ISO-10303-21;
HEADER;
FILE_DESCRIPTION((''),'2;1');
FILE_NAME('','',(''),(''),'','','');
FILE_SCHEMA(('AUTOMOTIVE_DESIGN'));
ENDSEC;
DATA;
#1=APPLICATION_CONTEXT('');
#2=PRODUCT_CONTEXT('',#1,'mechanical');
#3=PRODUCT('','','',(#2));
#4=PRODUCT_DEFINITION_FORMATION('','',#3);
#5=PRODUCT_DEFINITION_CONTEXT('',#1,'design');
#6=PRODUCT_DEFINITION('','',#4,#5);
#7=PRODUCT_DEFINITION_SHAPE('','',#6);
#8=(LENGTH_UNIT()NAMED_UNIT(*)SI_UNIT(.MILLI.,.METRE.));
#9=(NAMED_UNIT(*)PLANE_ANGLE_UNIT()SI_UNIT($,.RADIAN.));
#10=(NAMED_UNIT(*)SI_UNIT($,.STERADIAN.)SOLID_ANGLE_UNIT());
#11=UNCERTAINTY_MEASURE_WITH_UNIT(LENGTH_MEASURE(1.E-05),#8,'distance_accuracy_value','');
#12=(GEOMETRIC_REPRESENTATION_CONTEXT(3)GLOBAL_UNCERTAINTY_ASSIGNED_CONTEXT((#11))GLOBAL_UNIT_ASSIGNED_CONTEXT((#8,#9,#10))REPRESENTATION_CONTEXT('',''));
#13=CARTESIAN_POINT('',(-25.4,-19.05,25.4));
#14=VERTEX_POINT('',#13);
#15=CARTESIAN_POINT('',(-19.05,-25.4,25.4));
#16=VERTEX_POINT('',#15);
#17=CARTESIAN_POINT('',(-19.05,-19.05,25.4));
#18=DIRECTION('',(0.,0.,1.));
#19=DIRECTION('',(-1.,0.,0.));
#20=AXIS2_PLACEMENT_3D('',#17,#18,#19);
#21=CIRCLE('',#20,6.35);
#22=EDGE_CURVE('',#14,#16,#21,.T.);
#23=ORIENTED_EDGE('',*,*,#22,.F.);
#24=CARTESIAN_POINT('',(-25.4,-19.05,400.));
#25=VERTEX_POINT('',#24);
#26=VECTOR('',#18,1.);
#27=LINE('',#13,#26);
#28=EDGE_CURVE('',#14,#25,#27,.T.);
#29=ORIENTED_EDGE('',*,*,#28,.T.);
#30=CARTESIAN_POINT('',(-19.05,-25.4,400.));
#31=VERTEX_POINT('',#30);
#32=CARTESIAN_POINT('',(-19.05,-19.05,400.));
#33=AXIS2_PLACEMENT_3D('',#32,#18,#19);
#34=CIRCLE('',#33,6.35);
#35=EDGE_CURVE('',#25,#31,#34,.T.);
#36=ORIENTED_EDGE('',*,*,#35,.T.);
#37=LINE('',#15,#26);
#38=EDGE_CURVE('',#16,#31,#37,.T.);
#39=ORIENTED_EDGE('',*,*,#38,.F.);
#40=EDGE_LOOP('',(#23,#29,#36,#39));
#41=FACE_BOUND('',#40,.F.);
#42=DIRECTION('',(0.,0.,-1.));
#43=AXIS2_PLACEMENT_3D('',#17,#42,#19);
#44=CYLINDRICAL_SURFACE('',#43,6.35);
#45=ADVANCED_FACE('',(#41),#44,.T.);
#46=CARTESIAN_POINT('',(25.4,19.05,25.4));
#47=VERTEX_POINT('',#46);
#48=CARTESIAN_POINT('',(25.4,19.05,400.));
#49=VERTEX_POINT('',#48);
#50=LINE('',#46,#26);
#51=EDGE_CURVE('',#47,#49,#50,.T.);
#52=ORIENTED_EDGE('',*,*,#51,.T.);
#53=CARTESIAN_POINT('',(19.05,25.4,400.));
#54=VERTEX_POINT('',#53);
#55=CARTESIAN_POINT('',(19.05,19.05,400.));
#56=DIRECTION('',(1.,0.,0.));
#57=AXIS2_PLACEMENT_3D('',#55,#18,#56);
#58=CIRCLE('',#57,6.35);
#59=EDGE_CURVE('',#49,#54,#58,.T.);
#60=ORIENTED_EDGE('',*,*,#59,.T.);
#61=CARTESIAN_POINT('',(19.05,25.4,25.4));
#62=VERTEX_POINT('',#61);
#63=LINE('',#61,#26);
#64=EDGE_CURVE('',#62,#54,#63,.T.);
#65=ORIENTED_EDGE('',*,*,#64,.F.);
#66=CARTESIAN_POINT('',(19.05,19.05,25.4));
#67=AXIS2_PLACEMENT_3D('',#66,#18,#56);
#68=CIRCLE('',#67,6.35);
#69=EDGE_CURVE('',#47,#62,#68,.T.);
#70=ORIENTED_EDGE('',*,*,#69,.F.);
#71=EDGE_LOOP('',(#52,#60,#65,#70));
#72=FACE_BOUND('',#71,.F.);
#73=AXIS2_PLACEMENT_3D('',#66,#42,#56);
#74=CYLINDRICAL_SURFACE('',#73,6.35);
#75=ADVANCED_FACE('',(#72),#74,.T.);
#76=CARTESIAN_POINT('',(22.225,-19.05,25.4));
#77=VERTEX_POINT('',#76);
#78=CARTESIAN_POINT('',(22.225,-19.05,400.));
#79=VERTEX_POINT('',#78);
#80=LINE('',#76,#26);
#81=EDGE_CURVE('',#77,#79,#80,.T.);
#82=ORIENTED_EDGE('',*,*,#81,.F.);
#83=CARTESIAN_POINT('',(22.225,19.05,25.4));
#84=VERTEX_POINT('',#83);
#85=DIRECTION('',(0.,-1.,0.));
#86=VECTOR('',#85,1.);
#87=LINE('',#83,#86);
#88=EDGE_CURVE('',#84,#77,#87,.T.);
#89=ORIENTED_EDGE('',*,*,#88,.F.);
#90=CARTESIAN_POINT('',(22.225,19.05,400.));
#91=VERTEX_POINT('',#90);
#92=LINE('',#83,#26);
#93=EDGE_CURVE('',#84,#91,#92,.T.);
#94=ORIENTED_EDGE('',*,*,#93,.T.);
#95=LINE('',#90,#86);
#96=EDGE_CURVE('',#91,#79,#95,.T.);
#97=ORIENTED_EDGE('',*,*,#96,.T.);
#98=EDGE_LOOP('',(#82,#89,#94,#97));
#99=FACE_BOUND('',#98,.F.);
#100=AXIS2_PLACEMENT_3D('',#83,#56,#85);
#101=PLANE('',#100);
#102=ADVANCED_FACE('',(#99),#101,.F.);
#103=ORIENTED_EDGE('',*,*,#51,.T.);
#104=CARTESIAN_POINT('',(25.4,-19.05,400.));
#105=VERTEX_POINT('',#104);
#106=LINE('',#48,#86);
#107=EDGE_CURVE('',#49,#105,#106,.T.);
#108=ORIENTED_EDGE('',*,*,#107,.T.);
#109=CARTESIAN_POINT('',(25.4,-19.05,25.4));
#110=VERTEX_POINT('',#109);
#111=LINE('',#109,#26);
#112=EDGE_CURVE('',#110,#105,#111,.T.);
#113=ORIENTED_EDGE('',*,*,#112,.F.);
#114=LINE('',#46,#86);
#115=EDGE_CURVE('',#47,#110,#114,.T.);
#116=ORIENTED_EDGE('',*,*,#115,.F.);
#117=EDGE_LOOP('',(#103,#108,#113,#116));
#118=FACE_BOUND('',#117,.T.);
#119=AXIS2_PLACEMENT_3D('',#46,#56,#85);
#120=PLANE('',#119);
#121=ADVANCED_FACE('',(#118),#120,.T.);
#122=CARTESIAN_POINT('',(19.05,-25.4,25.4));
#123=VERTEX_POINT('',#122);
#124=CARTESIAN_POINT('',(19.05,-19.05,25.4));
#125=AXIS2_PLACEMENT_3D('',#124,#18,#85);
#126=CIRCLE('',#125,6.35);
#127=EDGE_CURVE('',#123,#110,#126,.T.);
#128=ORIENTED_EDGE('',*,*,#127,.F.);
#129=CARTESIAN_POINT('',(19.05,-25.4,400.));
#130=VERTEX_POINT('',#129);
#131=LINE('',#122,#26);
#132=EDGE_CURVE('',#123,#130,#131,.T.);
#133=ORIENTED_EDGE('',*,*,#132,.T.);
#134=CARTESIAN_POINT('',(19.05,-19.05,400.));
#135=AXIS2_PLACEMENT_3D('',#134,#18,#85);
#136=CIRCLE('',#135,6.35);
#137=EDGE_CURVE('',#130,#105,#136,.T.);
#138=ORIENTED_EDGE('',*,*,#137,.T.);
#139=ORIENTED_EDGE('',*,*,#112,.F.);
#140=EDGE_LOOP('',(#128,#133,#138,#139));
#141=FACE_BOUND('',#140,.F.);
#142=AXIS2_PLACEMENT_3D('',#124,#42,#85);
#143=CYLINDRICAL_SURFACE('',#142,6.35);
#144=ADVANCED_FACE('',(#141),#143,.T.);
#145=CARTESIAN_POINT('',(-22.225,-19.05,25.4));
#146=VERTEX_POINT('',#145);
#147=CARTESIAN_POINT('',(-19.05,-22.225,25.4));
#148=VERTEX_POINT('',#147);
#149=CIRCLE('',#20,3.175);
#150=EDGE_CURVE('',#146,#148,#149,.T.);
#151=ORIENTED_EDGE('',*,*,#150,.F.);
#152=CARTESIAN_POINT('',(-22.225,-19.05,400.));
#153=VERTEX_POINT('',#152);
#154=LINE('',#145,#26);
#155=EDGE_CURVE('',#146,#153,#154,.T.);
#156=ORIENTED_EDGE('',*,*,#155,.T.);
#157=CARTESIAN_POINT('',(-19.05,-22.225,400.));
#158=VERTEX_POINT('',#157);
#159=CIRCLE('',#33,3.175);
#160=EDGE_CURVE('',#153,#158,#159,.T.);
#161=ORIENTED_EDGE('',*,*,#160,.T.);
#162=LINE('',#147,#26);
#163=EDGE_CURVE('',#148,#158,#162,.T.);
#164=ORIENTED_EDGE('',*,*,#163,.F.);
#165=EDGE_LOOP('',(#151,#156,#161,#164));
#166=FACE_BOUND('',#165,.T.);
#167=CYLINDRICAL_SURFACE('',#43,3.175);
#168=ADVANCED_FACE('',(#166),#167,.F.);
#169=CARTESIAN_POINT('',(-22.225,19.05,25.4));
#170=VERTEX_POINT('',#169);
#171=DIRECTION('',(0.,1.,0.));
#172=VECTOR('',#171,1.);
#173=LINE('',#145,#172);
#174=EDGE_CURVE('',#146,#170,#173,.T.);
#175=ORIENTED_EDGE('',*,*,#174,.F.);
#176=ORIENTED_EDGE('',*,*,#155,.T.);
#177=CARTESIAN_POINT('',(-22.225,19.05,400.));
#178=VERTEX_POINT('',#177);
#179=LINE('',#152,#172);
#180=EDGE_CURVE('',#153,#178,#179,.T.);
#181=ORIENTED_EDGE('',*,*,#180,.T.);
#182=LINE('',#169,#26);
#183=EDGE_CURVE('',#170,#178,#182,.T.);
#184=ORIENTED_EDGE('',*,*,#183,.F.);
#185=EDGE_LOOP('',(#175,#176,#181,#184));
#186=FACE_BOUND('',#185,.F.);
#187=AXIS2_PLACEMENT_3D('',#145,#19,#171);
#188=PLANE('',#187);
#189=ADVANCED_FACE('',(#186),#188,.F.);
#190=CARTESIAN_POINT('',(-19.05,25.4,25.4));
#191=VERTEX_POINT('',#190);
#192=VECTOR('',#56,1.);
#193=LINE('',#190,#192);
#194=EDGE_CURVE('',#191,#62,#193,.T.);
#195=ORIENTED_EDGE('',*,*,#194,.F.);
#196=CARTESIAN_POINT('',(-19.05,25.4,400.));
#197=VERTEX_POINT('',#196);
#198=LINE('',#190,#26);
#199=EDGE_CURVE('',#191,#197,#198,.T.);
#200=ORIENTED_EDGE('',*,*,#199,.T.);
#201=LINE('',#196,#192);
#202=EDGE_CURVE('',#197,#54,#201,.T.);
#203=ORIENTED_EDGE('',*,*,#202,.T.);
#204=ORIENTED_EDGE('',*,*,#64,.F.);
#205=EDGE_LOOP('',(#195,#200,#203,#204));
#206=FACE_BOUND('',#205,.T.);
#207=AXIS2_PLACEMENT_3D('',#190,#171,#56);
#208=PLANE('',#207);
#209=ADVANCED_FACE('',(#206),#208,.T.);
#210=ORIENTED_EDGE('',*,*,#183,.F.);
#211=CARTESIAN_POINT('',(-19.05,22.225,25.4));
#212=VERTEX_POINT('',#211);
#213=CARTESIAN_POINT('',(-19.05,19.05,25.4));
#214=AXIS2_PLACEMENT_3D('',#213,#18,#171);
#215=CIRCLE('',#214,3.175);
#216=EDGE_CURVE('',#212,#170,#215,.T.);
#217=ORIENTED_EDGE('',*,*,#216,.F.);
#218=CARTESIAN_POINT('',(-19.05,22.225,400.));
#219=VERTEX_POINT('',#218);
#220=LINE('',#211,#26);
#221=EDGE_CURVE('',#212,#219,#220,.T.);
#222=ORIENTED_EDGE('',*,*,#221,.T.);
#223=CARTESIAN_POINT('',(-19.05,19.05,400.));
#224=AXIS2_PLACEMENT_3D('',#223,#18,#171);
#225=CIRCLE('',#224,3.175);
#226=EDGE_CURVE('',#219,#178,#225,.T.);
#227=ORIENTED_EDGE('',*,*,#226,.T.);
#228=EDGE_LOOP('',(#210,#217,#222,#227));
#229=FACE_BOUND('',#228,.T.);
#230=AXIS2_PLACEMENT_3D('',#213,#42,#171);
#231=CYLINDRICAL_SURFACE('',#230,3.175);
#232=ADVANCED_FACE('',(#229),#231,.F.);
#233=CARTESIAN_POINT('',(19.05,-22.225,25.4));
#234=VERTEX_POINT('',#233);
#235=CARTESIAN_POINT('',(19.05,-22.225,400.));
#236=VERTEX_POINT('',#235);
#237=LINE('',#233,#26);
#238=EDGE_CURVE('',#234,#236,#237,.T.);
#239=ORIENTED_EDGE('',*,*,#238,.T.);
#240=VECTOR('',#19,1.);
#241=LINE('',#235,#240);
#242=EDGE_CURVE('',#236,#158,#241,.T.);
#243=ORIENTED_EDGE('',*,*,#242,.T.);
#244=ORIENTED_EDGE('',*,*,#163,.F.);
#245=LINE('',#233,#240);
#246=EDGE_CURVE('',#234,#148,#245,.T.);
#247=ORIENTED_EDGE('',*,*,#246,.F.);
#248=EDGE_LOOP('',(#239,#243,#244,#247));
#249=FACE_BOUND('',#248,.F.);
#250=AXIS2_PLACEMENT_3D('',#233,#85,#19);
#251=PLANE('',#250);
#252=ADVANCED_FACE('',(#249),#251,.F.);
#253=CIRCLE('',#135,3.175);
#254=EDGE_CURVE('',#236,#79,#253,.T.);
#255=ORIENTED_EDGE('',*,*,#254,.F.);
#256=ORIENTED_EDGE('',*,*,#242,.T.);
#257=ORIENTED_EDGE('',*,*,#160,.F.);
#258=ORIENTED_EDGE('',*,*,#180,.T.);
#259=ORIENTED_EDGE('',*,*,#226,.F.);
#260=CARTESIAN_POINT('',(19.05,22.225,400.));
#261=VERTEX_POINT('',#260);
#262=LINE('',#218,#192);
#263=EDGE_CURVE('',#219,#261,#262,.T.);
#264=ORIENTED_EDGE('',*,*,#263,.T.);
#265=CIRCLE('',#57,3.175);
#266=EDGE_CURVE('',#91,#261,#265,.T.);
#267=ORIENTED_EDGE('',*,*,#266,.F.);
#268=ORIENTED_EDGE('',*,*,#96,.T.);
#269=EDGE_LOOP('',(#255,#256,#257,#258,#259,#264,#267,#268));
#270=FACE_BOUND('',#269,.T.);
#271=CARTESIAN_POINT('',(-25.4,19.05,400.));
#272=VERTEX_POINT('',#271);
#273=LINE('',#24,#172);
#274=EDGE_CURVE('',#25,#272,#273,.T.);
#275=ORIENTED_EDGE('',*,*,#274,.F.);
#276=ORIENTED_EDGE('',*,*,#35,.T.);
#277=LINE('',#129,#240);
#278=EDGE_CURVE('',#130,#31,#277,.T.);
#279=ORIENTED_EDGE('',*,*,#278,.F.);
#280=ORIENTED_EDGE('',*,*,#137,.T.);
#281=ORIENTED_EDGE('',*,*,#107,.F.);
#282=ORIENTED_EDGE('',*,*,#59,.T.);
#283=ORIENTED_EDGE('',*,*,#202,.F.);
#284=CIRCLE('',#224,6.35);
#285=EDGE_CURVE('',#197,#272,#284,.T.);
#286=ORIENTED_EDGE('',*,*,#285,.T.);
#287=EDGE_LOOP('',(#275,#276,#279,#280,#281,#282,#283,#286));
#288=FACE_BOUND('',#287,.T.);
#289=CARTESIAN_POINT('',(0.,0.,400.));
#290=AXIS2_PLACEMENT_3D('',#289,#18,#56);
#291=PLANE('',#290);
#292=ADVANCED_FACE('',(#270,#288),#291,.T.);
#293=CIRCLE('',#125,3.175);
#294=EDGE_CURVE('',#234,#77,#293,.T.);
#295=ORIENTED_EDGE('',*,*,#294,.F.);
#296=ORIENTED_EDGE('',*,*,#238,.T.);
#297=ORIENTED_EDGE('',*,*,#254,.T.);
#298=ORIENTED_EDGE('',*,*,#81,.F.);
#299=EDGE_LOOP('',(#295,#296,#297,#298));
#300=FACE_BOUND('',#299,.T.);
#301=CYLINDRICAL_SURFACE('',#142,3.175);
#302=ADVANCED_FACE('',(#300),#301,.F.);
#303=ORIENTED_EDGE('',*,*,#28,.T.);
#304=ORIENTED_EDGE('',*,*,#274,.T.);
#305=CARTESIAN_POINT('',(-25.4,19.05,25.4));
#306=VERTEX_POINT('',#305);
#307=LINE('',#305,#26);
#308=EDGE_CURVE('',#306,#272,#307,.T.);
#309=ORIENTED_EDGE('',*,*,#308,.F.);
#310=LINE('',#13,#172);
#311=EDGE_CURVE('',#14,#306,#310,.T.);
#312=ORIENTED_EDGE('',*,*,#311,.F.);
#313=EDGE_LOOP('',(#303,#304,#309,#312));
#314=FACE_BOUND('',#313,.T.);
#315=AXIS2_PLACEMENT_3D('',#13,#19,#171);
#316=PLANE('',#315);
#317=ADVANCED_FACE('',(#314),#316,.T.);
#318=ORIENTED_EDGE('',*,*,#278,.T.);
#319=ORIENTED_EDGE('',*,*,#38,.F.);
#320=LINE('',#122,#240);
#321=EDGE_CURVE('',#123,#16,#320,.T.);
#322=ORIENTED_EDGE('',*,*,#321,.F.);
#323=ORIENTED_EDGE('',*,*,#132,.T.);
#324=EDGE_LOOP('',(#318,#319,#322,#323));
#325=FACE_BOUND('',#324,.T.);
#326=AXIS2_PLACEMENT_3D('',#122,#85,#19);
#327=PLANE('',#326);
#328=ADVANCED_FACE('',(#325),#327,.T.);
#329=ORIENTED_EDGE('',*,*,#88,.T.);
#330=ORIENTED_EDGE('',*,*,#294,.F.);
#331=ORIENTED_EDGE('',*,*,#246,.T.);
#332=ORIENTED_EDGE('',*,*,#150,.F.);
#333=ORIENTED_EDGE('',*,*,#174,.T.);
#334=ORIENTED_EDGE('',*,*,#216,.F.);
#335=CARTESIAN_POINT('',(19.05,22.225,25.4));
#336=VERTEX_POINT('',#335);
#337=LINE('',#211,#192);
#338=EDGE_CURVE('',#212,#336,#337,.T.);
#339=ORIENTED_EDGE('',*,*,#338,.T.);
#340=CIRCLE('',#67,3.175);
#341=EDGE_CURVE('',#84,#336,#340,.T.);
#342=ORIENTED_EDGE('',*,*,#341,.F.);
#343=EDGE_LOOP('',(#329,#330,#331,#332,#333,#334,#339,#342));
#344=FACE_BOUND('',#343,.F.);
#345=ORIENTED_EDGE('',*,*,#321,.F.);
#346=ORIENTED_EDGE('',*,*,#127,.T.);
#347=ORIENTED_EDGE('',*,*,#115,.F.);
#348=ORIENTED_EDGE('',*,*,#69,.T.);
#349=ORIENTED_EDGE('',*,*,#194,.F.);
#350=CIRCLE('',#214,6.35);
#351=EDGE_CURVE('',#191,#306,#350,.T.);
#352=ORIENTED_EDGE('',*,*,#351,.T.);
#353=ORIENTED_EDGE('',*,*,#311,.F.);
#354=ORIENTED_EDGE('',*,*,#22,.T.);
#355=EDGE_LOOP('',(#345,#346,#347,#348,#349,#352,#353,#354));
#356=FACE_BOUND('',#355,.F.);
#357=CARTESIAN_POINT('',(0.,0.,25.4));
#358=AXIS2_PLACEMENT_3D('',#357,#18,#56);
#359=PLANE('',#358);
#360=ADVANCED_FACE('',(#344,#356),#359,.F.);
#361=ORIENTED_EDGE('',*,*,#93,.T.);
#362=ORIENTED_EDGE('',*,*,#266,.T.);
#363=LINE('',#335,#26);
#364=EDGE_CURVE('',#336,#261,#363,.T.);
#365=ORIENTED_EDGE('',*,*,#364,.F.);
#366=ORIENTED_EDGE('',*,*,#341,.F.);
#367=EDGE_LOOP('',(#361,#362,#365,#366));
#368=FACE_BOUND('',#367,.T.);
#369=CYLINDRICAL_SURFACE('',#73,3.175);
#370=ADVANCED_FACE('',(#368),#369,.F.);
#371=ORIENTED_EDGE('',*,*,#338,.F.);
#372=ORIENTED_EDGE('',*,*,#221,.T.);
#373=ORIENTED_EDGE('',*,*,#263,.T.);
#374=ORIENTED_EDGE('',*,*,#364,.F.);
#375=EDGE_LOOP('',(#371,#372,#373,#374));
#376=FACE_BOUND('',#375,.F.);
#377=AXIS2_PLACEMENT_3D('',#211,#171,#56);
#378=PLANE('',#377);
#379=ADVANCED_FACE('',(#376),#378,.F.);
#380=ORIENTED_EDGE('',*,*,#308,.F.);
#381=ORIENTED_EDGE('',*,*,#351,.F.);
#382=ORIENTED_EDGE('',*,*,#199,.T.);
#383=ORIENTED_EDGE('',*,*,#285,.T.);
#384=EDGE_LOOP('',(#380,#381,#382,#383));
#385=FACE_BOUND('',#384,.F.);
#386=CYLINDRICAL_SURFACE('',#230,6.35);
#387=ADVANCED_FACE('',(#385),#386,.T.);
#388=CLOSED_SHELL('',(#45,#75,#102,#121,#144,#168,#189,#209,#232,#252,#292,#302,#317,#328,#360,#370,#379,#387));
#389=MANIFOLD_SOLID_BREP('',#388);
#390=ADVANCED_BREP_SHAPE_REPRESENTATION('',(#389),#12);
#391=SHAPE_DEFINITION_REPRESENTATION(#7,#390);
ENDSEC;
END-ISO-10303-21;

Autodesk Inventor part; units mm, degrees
ref_plane "Plano inicial" through (0, 0, 25.4) normal (0, 0, 1) x (1, 0, 0)
ref_plane "Plano final" through (0, 0, 400) normal (0, 0, 1) x (1, 0, 0)
sketch "Boceto" plane through (0, 0, 0) normal (0, 0, 1) x (1, 0, 0)
  line L0 (-25.4, -19.05) -> (-25.4, 19.05)
  line L1 (-19.05, 25.4) -> (19.05, 25.4)
  line L2 (25.4, 19.05) -> (25.4, -19.05)
  line L3 (19.05, -25.4) -> (-19.05, -25.4)
  arc A0 (-25.4, -19.05) -> (-19.05, -25.4) centre (-19.05, -19.05) ccw
  arc A1 (-19.05, 25.4) -> (-25.4, 19.05) centre (-19.05, 19.05) ccw
  arc A2 (25.4, 19.05) -> (19.05, 25.4) centre (19.05, 19.05) ccw
  arc A3 (19.05, -25.4) -> (25.4, -19.05) centre (19.05, -19.05) ccw
  arc A4 (-19.05, 22.225) -> (-22.225, 19.05) centre (-19.05, 19.05) ccw
  line L4 (-19.05, 22.225) -> (19.05, 22.225)
  arc A5 (22.225, 19.05) -> (19.05, 22.225) centre (19.05, 19.05) ccw
  line L5 (22.225, 19.05) -> (22.225, -19.05)
  arc A6 (19.05, -22.225) -> (22.225, -19.05) centre (19.05, -19.05) ccw
  line L6 (19.05, -22.225) -> (-19.05, -22.225)
  arc A7 (-22.225, -19.05) -> (-19.05, -22.225) centre (-19.05, -19.05) ccw
  line L7 (-22.225, -19.05) -> (-22.225, 19.05)
  line L8 (0, 37.4012) -> (0, -37.4012) construction
  line L9 (-37.4012, 0) -> (37.4012, 0) construction
  dimension "d10" = 50.8
  dimension "d11" = 50.8
  dimension "d12" = 3.175
  dimension "d15" = 25.4
  dimension "d16" = 25.4
  dimension "d17" = 6.35
extrude "Cuerpo" add sketch "Boceto" along normal up to surface (374.6 mm away) from surface at 25.4
sketch "Sketch3" plane through (0, 0, 0) normal (0, 0, 1) x (1, 0, 0)
  line L0 (0, 0) -> (10, 0)
ref_plane "Work Plane3" through (0, 0, 0) normal (0, -1, 0) x (1, 0, 0)
ref_plane "Plano de trabajo4" through (-2980.95, -1445, 25.4) normal (0, 0, -1) x (-1, 0, 0)
split "Dividir1" plane through (-2980.95, -1445, 25.4) removes the side toward (0, 0, -1)
sketch "Sketch4" plane through (0, 0, 0) normal (0, -1, 0) x (1, 0, 0)
  line L0 (-2, 25.4) -> (12, 25.4) projected
  line L1 (-2, 400) -> (12, 400) projected
  dimension "d19" = 374.6
equation "\"d10\" = G_H"
equation "\"d11\" = G_W"
equation "\"d12\" = G_T"
equation "\"d15\" = 0.5 * d10"
equation "\"d16\" = 0.5 * d11"
equation "\"d17\" = G_IR"
equation "\"d3\" = G_L"
equation "\"G_W\" = 50.8"
equation "\"G_H\" = 50.8"
equation "\"G_T\" = 3.175"
equation "\"G_IR\" = 6.35"
equation "\"G_L\" = d19"
equation "\"G_OFFSET_START\" = -25.4"
equation "\"G_OFFSET_END\" = 0"
equation "\"d13\" = -G_OFFSET_START"
equation "\"d14\" = G_OFFSET_END + B_L"
equation "\"B_L\" = 400"
properties part number "AISC - 2 x 2 x 1/8 - 14,748" material "Acero, suave"
